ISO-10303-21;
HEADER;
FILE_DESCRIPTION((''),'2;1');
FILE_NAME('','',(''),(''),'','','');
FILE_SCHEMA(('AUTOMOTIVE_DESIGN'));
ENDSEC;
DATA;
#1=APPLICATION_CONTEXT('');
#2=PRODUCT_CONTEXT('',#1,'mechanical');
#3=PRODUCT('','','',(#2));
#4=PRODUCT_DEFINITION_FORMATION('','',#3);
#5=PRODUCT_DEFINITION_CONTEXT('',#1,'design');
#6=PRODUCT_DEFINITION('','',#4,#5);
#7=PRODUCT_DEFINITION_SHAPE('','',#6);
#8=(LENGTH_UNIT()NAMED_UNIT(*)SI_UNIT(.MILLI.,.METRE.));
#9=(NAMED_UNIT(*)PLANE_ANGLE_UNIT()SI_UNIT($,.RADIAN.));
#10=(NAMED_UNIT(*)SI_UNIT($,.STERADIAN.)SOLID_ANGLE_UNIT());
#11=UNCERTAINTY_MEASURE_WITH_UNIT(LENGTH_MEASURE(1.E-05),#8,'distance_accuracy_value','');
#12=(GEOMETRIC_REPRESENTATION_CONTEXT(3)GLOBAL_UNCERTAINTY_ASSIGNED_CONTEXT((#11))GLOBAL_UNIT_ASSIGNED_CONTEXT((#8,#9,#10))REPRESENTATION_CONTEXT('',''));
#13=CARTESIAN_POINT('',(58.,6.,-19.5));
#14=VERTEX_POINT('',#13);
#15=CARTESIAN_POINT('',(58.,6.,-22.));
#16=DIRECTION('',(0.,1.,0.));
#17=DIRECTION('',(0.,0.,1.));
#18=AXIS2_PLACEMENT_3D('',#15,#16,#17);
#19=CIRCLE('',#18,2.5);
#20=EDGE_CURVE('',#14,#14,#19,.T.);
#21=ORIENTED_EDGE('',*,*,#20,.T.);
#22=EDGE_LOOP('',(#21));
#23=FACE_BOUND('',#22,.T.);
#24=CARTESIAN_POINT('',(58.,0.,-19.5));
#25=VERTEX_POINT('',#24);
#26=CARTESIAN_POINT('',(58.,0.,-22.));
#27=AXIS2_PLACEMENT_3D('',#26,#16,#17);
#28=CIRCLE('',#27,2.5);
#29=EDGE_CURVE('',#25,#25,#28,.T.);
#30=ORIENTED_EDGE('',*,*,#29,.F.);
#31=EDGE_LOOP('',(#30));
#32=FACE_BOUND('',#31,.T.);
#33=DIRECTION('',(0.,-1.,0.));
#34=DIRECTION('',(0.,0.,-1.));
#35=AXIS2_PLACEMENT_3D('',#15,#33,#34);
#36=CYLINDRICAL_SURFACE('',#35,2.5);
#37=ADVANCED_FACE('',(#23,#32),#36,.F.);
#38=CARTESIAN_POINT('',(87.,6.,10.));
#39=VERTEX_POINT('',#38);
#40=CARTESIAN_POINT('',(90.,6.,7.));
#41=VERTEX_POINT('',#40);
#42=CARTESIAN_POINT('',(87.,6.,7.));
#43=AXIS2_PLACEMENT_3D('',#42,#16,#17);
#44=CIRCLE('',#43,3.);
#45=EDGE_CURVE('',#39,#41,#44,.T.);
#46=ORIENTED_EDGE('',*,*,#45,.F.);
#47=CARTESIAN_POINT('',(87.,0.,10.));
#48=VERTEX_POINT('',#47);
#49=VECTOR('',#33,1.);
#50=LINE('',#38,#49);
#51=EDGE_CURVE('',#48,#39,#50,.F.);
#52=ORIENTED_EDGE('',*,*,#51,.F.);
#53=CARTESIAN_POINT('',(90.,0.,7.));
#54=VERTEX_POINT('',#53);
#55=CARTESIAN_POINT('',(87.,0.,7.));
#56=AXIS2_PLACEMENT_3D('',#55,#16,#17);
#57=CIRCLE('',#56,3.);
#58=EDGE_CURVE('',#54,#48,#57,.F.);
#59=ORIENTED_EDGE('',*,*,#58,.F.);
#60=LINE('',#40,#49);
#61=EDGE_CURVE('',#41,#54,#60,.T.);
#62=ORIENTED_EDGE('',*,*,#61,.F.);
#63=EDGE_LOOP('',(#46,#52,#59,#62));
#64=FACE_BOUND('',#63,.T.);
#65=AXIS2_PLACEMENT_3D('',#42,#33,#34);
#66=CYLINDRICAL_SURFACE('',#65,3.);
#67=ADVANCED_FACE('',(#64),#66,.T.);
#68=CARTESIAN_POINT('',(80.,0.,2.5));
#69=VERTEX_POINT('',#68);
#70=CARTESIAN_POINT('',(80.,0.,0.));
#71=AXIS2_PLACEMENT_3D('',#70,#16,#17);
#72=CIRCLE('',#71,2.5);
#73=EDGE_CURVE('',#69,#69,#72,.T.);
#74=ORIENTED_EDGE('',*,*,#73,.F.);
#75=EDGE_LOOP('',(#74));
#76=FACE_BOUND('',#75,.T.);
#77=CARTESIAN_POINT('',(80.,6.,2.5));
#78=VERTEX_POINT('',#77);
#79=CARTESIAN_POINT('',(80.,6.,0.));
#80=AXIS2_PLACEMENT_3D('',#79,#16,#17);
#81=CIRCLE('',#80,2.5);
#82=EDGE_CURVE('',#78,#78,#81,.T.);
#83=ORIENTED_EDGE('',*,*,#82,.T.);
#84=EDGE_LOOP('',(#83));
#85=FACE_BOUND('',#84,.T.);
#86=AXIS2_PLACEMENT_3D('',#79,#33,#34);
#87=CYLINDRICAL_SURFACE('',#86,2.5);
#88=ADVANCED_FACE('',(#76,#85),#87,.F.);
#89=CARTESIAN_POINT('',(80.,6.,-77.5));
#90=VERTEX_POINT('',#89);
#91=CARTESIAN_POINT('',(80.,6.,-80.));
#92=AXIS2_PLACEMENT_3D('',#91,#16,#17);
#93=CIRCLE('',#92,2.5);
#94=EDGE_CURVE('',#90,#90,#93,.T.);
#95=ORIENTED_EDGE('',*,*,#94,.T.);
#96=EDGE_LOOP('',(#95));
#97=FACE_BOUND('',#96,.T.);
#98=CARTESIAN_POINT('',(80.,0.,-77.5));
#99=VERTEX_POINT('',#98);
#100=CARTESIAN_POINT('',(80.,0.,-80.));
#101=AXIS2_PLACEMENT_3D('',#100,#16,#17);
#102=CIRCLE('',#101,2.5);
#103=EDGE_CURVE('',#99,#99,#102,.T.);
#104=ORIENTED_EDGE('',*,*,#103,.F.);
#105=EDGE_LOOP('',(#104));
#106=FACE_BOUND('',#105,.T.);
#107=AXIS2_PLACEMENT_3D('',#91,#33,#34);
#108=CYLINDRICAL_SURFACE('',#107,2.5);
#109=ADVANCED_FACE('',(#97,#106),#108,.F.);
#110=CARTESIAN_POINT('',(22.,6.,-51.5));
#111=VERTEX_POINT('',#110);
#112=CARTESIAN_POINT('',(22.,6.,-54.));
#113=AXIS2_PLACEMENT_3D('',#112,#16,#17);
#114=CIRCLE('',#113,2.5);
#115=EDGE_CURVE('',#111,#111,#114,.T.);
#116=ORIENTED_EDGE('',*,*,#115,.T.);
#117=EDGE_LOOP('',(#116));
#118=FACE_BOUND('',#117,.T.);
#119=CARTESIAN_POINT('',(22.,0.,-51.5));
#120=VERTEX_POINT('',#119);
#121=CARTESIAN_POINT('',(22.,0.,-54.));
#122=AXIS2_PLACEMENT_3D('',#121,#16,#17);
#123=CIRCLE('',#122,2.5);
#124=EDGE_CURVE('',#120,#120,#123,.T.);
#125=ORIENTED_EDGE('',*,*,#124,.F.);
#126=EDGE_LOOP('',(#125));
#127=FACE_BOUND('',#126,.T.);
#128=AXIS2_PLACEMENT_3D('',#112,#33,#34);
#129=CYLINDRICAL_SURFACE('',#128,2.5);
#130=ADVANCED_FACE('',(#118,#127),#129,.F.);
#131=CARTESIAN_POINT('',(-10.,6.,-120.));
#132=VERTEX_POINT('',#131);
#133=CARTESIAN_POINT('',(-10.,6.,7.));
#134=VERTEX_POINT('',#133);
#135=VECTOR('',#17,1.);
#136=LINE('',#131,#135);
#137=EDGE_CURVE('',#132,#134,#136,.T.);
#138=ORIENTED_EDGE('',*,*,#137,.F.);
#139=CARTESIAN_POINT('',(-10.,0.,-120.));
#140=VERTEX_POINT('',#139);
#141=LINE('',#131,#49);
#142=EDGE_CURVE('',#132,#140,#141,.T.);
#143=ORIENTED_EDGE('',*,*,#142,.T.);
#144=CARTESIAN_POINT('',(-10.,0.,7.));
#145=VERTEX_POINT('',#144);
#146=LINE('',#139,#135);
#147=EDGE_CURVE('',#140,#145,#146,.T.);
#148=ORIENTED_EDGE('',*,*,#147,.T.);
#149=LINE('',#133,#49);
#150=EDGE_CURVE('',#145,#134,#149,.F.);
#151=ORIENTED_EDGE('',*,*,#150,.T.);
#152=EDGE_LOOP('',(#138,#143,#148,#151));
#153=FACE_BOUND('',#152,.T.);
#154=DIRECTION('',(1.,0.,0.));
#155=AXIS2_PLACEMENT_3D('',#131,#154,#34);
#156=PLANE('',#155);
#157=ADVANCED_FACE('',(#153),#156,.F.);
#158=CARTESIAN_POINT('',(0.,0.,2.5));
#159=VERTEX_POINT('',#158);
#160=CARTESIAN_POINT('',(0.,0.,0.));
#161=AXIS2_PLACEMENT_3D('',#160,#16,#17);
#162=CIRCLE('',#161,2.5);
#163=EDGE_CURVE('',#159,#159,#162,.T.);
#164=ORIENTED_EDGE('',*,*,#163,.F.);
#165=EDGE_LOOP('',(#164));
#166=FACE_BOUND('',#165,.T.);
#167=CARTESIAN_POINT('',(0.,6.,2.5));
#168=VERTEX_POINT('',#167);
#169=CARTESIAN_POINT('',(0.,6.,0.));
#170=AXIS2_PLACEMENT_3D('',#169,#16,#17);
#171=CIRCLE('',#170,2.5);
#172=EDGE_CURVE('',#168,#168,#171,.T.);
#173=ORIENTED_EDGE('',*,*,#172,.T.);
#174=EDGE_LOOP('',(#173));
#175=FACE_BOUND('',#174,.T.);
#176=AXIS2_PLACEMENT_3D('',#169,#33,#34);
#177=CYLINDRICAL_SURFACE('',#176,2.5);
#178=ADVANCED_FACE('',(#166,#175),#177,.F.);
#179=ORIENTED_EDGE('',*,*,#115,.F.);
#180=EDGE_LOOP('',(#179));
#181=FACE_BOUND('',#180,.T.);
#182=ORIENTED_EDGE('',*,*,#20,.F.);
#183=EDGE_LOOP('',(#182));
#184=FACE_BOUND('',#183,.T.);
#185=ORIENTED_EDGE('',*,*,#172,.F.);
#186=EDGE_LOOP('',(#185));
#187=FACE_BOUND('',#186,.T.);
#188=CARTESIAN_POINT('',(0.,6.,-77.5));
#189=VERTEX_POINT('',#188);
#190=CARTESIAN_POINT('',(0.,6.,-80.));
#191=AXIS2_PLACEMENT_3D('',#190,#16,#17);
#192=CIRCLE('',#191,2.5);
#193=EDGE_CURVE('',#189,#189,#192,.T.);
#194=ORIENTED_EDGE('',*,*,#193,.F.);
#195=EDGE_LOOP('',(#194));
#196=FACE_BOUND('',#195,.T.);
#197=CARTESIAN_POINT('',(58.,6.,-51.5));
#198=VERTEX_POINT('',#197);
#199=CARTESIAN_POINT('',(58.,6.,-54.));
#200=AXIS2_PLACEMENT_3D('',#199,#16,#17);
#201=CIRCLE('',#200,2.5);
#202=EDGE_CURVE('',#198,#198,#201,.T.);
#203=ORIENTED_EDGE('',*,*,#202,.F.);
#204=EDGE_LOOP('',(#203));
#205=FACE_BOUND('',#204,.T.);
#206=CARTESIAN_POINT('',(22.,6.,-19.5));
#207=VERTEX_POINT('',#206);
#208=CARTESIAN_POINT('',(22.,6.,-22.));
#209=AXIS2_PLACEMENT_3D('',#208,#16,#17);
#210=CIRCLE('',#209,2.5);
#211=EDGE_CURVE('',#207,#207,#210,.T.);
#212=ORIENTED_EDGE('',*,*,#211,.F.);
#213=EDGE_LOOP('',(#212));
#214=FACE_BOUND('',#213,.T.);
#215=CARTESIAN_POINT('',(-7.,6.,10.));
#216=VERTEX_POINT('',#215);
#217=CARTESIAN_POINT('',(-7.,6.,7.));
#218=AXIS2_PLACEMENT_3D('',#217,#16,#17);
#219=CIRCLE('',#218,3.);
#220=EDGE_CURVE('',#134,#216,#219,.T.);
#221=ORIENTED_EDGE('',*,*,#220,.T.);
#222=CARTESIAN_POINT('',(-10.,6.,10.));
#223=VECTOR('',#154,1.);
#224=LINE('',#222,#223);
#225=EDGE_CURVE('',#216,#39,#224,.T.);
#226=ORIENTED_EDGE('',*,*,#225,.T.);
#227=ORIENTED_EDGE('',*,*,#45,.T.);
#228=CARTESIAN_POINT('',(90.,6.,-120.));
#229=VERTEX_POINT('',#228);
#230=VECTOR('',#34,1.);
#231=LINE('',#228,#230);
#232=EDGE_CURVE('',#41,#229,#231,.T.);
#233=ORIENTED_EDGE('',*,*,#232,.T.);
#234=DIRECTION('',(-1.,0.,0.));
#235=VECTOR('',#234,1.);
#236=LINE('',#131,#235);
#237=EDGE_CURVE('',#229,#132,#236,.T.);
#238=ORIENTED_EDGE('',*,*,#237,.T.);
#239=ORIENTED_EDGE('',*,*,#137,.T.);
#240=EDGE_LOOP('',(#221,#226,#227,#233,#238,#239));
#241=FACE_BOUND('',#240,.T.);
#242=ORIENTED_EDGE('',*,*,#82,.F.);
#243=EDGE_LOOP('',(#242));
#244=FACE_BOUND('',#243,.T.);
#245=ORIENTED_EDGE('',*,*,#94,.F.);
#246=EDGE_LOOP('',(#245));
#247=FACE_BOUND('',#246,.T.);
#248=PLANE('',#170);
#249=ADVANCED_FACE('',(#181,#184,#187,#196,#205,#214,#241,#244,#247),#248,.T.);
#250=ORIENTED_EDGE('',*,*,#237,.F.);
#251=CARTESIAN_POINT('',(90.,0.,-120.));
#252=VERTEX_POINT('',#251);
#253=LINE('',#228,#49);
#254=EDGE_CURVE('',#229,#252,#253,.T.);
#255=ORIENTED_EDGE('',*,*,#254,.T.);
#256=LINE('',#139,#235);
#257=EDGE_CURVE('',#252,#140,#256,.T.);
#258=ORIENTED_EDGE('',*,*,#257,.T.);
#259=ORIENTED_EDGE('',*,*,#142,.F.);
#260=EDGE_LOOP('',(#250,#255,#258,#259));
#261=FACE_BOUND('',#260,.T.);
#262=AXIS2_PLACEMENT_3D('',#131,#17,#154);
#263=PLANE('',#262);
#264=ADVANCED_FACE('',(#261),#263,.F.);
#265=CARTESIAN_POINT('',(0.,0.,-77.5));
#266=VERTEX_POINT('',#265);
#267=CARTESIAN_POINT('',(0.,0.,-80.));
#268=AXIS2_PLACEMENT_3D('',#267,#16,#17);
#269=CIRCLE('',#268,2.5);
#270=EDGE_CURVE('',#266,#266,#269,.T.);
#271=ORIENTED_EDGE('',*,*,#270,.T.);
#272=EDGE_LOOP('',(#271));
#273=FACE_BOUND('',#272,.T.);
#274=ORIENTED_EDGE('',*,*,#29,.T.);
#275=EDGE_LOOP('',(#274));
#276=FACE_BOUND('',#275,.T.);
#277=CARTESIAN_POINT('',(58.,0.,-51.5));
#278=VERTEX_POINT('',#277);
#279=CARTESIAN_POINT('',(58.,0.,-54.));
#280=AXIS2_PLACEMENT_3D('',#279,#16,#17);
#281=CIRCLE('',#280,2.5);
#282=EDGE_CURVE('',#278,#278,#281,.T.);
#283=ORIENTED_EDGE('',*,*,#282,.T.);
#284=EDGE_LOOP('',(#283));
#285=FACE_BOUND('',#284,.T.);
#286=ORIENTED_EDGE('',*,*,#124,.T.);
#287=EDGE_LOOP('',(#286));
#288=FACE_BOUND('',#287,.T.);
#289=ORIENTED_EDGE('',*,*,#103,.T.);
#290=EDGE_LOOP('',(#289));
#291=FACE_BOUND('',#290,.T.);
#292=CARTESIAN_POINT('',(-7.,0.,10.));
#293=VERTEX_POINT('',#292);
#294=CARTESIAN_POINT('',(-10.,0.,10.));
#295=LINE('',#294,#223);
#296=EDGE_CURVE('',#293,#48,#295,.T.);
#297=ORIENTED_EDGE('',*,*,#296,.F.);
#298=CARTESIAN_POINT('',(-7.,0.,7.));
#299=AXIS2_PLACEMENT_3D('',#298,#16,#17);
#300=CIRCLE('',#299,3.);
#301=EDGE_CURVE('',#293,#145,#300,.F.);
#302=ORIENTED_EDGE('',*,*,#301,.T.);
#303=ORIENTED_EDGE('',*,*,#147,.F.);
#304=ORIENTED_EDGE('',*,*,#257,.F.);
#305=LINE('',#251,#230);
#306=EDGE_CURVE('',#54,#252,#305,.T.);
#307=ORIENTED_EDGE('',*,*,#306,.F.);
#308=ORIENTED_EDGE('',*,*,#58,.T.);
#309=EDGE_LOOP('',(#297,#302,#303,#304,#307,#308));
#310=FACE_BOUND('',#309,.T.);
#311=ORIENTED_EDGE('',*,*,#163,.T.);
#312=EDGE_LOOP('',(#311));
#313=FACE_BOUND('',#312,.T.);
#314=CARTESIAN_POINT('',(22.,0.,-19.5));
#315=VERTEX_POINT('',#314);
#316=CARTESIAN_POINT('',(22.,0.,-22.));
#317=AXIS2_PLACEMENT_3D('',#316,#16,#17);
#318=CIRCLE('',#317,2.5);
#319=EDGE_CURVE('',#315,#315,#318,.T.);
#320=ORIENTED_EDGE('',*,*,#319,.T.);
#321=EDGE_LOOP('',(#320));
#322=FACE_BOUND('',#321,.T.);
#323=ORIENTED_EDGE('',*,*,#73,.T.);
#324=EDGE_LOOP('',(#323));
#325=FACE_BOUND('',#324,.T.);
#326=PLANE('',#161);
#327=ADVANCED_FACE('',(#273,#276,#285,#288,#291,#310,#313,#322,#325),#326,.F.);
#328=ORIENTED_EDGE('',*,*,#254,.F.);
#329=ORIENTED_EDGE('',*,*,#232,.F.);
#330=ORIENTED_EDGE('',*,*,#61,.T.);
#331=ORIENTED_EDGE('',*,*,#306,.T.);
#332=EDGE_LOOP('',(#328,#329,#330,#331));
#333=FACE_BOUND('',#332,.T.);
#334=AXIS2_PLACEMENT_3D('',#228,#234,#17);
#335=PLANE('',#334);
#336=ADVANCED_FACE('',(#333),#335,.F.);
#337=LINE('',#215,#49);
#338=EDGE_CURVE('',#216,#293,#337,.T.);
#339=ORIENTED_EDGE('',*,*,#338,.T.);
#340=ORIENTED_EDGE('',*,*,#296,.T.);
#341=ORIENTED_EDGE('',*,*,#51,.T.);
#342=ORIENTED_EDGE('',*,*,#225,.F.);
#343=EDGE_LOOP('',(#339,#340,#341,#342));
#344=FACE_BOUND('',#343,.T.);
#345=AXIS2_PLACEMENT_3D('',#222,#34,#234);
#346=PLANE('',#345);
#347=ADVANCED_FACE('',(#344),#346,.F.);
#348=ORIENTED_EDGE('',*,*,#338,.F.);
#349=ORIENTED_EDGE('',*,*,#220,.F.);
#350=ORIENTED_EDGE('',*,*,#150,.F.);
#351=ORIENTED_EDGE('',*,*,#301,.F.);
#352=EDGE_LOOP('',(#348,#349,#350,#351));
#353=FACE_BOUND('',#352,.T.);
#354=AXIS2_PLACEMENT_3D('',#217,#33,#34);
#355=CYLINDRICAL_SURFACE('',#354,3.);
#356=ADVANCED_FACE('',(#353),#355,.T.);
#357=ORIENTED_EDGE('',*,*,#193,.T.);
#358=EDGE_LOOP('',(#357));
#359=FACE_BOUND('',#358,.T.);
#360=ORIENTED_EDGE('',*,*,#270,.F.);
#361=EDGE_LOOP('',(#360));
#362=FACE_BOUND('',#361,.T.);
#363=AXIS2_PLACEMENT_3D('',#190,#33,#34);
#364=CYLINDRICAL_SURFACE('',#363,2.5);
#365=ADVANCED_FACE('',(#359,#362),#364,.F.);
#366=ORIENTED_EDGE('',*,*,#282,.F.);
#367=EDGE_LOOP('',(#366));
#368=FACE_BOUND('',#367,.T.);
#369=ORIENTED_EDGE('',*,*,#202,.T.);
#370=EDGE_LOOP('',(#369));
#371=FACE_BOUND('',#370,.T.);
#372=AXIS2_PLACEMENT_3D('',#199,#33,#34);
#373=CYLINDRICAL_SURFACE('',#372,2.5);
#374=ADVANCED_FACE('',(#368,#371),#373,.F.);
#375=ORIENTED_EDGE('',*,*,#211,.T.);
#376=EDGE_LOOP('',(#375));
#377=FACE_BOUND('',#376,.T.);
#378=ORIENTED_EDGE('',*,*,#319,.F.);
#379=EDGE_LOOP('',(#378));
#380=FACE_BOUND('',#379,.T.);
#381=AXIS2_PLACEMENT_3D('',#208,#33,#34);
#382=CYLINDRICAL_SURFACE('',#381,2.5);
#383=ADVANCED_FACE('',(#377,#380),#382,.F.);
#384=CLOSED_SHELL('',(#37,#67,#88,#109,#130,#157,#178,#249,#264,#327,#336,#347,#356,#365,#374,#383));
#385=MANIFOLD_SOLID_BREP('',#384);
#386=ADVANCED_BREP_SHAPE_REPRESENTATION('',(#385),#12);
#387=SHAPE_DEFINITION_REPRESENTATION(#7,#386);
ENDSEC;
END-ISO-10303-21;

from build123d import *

# Parameters (mm, degrees)
SKETCH1_W           = 100
SKETCH1_H           = 130
SKETCH1_R           = 2.5
BOSS_EXTRUDE1_DEPTH = 6
FILLET1_R           = 3


with BuildPart() as part:
    # Sketch1 → Boss-Extrude1 (new body)
    with BuildSketch(Plane(origin=(0, 0, 0), x_dir=(1, 0, 0), z_dir=(0, 1, 0))):
        with Locations((40, 55)):
            Rectangle(SKETCH1_W, SKETCH1_H)
        Circle(SKETCH1_R, mode=Mode.SUBTRACT)
        with Locations((80, 0)):
            Circle(SKETCH1_R, mode=Mode.SUBTRACT)
        with Locations((0, 80)):
            Circle(SKETCH1_R, mode=Mode.SUBTRACT)
        with Locations((80, 80)):
            Circle(SKETCH1_R, mode=Mode.SUBTRACT)
        with Locations((22, 22)):
            Circle(SKETCH1_R, mode=Mode.SUBTRACT)
        with Locations((58, 22)):
            Circle(SKETCH1_R, mode=Mode.SUBTRACT)
        with Locations((22, 54)):
            Circle(SKETCH1_R, mode=Mode.SUBTRACT)
        with Locations((58, 54)):
            Circle(SKETCH1_R, mode=Mode.SUBTRACT)
    extrude(amount=BOSS_EXTRUDE1_DEPTH)

    # Fillet1
    fillet1_edges = [part.edges().sort_by_distance(p)[0] for p in [
        (90, 3, 10),
        (-10, 3, 10),
    ]]
    fillet(fillet1_edges, radius=FILLET1_R)


solid = part.part
